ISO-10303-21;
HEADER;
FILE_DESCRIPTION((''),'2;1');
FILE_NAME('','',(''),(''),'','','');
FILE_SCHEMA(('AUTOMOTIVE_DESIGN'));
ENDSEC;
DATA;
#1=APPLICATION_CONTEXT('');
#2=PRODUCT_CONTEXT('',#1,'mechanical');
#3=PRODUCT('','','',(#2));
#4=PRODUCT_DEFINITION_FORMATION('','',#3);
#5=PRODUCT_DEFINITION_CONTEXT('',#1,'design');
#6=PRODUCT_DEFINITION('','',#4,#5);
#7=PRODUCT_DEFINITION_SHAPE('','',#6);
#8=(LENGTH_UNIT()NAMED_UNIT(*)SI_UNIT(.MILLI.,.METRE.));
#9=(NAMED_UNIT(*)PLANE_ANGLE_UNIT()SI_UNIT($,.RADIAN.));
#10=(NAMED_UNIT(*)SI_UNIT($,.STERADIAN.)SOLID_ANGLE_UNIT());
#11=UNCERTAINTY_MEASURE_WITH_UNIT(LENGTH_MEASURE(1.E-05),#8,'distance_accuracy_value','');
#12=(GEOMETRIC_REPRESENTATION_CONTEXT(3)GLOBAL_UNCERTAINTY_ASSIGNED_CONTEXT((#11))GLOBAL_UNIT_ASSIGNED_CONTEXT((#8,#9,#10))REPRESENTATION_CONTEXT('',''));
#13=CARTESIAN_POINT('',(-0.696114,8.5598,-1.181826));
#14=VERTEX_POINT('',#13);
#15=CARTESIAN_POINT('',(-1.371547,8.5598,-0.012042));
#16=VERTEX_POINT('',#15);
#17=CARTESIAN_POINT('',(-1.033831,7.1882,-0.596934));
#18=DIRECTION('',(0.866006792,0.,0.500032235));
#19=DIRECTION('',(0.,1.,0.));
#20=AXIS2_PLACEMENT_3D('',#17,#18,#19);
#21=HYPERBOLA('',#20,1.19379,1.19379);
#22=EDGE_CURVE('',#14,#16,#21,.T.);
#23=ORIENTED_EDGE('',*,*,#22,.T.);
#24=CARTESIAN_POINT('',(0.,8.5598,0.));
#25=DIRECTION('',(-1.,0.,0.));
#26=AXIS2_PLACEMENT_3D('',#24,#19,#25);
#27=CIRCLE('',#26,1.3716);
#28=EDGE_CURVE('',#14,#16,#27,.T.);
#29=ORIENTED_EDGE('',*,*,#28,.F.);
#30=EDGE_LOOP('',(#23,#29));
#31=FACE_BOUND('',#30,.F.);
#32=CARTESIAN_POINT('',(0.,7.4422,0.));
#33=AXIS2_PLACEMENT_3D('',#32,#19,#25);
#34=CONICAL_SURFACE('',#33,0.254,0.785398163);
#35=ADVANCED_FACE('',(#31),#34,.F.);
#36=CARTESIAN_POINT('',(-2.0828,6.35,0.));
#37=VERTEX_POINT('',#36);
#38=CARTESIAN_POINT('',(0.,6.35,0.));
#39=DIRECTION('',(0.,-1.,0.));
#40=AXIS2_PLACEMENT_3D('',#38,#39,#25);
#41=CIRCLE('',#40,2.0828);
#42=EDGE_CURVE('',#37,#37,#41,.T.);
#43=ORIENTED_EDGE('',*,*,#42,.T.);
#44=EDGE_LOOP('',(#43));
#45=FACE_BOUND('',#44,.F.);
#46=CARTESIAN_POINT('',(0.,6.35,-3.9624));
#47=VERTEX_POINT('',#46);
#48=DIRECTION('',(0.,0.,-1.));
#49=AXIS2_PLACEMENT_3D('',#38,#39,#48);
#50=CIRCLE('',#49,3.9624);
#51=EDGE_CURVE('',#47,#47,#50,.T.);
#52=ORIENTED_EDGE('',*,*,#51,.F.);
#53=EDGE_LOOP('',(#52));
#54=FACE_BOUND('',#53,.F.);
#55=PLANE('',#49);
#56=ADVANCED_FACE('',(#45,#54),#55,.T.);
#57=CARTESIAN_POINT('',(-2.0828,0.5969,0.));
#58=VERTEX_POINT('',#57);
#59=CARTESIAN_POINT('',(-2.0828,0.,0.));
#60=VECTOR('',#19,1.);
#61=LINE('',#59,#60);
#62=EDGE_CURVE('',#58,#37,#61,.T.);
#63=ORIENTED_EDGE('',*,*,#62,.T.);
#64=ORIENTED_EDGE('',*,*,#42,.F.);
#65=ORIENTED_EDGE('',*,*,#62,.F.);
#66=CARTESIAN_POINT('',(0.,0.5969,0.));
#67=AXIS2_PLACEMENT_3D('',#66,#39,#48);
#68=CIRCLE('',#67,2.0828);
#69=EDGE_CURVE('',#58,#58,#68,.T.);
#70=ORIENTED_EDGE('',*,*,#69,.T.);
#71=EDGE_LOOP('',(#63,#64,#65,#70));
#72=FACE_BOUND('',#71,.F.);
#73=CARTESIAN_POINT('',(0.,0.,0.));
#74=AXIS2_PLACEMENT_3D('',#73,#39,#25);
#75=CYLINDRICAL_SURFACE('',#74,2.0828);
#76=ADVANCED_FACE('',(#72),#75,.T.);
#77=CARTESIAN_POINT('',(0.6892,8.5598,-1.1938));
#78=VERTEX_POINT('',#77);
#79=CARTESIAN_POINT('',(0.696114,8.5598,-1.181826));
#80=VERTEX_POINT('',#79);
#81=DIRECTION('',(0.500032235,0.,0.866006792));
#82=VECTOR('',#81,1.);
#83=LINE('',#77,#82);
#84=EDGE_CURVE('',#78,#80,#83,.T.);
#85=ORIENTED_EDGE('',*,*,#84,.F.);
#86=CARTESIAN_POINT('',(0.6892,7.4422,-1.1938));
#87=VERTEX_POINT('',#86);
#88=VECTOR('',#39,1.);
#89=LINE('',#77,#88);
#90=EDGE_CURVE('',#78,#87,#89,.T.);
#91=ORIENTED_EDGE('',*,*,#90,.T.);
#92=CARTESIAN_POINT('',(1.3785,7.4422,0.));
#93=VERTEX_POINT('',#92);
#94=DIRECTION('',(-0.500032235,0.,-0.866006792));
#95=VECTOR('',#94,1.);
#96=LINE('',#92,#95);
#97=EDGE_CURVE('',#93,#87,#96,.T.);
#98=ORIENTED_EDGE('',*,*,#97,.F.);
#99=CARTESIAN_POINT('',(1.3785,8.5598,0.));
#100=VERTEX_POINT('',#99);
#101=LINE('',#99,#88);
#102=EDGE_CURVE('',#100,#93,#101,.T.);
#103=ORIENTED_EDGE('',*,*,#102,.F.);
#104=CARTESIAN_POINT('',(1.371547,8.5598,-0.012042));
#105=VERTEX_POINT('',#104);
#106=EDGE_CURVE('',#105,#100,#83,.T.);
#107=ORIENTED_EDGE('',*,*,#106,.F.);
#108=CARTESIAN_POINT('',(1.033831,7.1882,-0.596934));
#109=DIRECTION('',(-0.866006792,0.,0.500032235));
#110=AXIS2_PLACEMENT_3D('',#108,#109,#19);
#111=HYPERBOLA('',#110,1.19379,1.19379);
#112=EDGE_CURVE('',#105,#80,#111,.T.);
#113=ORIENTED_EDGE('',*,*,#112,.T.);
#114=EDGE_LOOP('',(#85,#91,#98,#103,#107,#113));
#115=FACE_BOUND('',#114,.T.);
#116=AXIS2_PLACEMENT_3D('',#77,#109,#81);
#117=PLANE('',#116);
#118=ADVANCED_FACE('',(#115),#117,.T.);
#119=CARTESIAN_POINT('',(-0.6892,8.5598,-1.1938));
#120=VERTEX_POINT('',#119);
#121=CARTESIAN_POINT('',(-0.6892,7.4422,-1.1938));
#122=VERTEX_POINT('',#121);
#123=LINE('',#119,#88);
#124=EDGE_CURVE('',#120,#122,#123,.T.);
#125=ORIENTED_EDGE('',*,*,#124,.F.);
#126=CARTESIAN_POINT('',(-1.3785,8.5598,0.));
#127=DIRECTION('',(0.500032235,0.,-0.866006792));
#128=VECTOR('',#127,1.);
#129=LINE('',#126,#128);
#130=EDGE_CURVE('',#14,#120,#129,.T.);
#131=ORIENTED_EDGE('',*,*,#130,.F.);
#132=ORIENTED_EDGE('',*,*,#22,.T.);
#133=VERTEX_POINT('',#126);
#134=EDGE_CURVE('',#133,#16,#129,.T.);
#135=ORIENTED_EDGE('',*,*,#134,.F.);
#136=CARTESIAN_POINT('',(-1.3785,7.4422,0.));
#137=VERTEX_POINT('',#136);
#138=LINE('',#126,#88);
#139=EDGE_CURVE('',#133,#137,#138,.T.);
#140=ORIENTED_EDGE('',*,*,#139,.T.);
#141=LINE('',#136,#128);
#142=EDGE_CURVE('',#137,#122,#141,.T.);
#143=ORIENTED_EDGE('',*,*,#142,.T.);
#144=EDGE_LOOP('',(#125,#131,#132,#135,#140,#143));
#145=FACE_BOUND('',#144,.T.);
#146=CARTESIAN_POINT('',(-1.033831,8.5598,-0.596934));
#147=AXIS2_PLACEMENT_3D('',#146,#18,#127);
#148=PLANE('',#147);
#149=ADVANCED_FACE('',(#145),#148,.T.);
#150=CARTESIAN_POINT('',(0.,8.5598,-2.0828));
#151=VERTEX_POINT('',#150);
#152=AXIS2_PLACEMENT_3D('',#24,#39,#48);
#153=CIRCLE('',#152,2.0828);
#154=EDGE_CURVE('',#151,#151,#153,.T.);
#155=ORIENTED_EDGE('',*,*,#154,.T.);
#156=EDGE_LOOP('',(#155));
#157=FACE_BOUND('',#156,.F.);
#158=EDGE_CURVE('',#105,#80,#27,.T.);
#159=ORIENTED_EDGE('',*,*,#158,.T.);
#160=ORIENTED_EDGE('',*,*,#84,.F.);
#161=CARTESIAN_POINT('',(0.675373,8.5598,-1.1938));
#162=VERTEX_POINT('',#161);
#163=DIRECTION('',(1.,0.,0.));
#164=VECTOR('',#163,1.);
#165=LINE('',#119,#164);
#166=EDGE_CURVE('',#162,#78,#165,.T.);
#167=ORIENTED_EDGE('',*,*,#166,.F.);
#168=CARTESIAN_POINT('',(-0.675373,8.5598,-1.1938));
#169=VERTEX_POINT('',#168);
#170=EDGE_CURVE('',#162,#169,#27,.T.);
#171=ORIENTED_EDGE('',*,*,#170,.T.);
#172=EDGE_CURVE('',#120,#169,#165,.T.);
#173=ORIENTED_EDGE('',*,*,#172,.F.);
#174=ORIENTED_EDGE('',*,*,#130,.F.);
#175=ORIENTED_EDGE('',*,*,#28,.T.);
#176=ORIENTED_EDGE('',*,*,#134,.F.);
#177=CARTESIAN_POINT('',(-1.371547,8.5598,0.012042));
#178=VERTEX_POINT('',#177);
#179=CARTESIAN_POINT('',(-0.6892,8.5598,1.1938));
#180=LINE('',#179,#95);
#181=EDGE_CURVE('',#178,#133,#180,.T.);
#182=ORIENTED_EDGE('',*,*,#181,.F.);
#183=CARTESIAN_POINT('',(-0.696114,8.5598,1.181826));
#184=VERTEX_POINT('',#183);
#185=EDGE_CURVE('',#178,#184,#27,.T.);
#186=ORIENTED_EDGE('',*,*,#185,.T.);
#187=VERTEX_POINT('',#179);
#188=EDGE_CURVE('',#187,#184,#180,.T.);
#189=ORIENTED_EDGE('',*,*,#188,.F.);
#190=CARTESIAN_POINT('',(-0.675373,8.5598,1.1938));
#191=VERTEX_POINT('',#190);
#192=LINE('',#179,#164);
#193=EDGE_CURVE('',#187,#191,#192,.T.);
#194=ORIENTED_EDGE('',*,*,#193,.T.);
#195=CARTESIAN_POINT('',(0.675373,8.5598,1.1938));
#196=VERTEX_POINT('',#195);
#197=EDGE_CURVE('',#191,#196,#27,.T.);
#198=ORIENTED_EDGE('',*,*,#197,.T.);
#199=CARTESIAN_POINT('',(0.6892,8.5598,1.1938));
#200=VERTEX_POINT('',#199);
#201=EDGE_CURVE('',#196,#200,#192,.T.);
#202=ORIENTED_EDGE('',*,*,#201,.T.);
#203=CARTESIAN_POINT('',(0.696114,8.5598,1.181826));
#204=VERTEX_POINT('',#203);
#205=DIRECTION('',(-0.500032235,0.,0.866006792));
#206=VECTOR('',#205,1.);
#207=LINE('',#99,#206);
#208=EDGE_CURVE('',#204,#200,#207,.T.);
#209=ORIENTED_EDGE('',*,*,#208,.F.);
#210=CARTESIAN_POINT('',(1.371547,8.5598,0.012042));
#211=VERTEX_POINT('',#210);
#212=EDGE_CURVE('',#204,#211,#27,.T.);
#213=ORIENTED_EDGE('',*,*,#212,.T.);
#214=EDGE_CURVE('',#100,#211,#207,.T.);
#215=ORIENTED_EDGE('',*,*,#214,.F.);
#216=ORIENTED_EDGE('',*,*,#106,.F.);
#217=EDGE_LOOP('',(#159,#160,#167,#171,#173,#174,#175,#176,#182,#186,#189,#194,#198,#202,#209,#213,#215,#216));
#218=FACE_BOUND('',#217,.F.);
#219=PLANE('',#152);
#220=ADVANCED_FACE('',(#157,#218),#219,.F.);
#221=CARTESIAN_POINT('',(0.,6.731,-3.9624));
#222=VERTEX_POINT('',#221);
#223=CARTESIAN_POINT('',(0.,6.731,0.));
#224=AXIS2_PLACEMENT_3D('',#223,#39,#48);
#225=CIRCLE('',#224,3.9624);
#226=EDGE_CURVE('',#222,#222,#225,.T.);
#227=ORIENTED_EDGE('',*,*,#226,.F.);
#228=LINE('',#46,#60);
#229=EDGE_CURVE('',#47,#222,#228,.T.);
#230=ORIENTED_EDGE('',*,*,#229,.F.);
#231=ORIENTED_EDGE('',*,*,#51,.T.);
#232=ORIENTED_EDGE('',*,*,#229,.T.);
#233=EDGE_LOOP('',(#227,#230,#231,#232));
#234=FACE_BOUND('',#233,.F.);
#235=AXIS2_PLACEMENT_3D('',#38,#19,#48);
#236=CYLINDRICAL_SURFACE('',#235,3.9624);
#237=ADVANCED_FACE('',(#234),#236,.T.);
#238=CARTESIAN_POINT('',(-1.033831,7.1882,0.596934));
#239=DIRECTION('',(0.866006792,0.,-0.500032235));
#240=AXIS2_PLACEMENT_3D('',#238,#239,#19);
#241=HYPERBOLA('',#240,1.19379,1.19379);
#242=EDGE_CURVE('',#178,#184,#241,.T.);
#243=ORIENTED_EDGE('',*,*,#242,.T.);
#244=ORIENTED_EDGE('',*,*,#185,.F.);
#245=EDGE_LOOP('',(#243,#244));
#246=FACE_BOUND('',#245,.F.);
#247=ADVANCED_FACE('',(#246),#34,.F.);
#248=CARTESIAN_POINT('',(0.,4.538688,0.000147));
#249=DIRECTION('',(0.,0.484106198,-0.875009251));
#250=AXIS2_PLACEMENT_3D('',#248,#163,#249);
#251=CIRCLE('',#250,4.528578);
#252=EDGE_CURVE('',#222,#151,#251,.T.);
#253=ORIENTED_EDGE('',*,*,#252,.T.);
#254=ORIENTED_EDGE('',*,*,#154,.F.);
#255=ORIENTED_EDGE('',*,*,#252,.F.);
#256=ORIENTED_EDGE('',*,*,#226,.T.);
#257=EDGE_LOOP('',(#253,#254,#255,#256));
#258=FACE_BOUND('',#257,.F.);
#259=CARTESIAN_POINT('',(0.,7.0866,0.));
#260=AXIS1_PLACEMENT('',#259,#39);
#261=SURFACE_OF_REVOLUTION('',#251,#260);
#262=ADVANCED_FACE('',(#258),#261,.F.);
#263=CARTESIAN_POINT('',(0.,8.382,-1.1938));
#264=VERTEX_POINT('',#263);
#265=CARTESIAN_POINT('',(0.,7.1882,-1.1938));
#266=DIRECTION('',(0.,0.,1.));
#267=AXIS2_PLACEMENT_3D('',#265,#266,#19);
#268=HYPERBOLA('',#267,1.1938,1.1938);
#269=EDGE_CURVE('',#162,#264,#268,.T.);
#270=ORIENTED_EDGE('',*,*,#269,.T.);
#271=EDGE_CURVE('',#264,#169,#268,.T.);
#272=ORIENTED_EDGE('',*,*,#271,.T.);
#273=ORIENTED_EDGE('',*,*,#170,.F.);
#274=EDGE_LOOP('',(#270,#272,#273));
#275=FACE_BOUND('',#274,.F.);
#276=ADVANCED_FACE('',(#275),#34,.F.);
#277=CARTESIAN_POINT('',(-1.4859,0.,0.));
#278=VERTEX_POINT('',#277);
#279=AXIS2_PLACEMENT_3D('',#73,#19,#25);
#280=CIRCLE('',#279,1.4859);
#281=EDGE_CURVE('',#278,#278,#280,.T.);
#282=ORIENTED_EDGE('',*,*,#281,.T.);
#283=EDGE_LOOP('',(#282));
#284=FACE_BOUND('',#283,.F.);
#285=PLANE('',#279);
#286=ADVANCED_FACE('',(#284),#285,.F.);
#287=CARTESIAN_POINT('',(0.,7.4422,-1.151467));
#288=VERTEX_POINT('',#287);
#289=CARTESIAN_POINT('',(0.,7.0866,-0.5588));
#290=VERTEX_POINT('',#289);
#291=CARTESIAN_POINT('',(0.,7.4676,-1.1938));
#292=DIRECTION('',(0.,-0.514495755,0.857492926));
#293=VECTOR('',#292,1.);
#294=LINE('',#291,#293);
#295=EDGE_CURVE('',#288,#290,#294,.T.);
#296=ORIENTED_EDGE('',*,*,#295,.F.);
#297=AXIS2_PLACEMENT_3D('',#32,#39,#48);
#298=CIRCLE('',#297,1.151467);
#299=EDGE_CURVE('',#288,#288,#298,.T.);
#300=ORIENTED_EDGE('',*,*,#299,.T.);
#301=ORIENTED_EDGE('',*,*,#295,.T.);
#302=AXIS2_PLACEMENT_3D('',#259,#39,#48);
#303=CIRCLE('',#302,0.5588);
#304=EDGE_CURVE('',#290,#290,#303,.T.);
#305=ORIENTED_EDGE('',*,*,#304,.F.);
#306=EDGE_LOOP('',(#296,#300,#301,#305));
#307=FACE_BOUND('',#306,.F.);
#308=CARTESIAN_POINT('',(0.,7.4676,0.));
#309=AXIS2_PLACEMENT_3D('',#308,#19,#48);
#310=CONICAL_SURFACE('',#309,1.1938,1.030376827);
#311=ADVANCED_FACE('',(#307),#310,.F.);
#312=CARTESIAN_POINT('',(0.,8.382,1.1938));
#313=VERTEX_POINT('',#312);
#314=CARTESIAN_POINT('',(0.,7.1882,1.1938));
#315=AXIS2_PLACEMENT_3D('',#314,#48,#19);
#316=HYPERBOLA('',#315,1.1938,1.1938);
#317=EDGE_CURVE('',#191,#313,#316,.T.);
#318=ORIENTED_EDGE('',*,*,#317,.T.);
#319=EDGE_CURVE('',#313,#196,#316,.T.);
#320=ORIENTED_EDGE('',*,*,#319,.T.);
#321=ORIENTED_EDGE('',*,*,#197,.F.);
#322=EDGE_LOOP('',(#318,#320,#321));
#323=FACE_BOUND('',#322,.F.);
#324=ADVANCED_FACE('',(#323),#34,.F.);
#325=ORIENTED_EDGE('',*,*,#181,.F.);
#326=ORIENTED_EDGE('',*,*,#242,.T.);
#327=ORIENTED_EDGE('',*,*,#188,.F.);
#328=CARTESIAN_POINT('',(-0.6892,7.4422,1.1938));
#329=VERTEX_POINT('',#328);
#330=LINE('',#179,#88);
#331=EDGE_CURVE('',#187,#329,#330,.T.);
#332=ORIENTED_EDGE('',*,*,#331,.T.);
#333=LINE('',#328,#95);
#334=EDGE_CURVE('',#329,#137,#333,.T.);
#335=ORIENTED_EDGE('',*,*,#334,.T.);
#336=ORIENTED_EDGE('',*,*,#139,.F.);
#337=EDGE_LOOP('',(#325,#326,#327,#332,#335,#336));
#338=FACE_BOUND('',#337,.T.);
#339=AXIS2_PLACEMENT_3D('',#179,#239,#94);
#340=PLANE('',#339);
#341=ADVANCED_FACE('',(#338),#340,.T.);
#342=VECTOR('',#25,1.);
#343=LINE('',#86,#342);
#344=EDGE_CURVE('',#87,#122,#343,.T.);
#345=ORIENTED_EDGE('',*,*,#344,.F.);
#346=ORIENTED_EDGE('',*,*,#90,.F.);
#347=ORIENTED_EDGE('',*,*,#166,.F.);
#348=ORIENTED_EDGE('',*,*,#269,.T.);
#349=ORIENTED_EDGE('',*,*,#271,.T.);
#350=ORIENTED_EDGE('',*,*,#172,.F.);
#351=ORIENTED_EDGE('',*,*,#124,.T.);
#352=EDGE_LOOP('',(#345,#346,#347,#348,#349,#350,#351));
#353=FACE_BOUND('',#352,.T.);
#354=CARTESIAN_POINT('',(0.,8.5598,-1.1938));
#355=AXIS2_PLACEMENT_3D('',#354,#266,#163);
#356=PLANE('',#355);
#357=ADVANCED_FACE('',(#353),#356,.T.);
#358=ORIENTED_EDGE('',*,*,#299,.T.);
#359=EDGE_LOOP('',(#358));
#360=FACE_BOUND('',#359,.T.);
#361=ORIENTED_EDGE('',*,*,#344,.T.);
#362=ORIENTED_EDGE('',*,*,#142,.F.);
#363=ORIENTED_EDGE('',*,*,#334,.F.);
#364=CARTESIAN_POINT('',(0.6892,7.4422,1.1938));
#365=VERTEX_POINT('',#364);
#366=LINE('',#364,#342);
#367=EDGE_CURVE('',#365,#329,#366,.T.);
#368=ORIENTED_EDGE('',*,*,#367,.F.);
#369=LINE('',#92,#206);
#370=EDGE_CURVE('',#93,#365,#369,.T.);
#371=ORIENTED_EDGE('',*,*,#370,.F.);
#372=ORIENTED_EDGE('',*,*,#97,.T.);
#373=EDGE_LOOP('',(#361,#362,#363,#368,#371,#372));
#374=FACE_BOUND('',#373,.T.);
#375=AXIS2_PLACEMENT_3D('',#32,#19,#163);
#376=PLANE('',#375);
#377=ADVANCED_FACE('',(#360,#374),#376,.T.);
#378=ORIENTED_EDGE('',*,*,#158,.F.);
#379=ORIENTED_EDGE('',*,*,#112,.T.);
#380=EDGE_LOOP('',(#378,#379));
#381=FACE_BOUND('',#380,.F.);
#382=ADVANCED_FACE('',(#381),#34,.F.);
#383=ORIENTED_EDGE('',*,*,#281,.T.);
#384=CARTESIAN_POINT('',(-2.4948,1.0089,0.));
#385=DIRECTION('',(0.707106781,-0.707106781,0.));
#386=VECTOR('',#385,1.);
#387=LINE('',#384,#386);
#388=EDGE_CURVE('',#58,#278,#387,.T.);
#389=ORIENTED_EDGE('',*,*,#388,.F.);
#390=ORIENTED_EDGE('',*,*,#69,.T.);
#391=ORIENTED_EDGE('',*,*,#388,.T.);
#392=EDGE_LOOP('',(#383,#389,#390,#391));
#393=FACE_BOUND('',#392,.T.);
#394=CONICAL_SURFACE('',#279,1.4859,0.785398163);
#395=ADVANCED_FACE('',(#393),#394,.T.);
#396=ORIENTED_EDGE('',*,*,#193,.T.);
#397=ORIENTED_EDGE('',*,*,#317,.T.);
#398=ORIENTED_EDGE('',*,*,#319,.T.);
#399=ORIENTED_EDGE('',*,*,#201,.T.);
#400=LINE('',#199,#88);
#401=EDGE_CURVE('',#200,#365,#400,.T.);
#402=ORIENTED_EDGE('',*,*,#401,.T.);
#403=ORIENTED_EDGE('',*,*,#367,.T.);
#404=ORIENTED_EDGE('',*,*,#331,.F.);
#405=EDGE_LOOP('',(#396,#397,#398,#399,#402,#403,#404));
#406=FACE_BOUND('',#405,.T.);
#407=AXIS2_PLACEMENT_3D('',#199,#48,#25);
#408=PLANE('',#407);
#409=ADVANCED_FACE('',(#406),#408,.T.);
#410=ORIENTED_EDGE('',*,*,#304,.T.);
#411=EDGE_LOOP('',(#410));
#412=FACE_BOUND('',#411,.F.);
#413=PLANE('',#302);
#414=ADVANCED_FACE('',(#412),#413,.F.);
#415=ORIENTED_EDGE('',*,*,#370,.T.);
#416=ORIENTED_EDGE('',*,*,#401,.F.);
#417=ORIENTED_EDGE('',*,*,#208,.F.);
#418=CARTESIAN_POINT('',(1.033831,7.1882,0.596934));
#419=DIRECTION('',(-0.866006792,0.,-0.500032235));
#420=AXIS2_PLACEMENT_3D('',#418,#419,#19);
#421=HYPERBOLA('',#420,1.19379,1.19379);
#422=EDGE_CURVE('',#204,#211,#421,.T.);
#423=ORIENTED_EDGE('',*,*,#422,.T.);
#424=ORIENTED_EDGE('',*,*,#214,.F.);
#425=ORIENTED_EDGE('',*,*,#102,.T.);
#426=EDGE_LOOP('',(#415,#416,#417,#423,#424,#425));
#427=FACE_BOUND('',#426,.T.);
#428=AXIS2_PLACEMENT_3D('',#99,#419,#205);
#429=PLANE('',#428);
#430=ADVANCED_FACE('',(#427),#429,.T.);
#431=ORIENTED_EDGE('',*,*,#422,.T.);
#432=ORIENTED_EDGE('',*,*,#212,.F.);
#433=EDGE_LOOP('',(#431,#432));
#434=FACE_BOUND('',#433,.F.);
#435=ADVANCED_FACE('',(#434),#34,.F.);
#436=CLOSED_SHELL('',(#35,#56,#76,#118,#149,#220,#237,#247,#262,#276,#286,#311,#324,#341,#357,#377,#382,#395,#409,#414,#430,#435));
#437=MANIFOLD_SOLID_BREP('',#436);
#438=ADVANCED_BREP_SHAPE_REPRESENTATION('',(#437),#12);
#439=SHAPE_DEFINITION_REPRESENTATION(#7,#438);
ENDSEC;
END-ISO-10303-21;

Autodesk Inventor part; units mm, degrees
ref_plane "YZ Plane" through (0, 0, 0) normal (1, 0, 0) x (0, 1, 0)
ref_plane "XZ Plane" through (0, 0, 0) normal (0, 1, 0) x (-1, 0, 0)
ref_plane "XY Plane" through (0, 0, 0) normal (0, 0, 1) x (1, 0, 0)
sketch "Sketch1" plane through (0, 0, 0) normal (0, 1, 0) x (-1, 0, 0)
  circle A0 centre (0, 0) radius 2.0828
  dimension "d4" = 4.1656
extrude "Body" add sketch "Sketch1" along normal blind 6.35
sketch "Sketch2" plane through (0, 0, 0) normal (1, 0, 0) x (0, 1, 0)
  line L0 (6.35, -2.0828) -> (6.35, 2.0828) projected
  line L1 (6.35, 0) -> (6.35, -3.9624)
  line L2 (6.35, -3.9624) -> (6.731, -3.9624)
  arc A0 (6.731, -3.9624) -> (8.5598, -2.0828) centre (4.5388, 0) ccw
  line L3 (8.5598, -2.0828) -> (8.5598, -1.1938)
  line L4 (8.5598, -1.1938) -> (7.4676, -1.1938)
  line L5 (7.4676, -1.1938) -> (7.0866, -0.5588)
  line L6 (7.0866, -0.5588) -> (7.0866, 0)
  line L7 (7.0866, 0) -> (6.35, 0)
  point P0 (0, 0)
  dimension "d5" = 3.9624
  dimension "d6" = 0.381
  dimension "d13" = 0.7366
  dimension "d14" = 2.0828
  dimension "d15" = 2.2098
  dimension "d16" = 0
  dimension "d17" = 1.1938
  dimension "d18" = 0.5588
  dimension "d19" = 0.381
revolve "Head" add sketch "Sketch2" angle 360 about axis through (0, 7.0866, 0) along (0, -1, 0)
sketch "Sketch3" plane through (0, 8.5598, 0) normal (0, 1, 0) x (1, 0, 0)
  line L0 (0.6892, 1.1938) -> (1.3785, 0)
  line L1 (1.3785, 0) -> (0.6892, -1.1938)
  line L2 (0.6892, -1.1938) -> (-0.6892, -1.1938)
  line L3 (-0.6892, -1.1938) -> (-1.3785, 0)
  line L4 (-1.3785, 0) -> (-0.6892, 1.1938)
  line L5 (-0.6892, 1.1938) -> (0.6892, 1.1938)
  circle A0 centre (0, 0) radius 1.1938 projected
  point P0 (0, 0)
  point P1 (0, 0)
extrude "Hex" cut sketch "Sketch3" against normal blind 1.1176
sketch "Sketch4" plane through (0, 0, 0) normal (0, 0, 1) x (1, 0, 0)
  line L0 (-0.6892, 7.4422) -> (0.6892, 7.4422) projected
  line L1 (-0.6892, 8.5598) -> (0.6892, 8.5598) projected
  line L2 (-0.254, 7.4422) -> (-1.3716, 8.5598)
  line L3 (-1.3785, 8.5598) -> (-1.3785, 7.4422) projected
  line L4 (-1.3785, 8.5598) -> (-0.254, 8.5598)
  line L5 (-0.254, 8.5598) -> (-0.254, 7.4422)
  line L6 (0, -4.252) -> (0, 25.5118) projected
  point P0 (0, 0)
  point P1 (0, 8.5598)
  point P2 (-0.254, 8.5598)
  dimension "d28" = 45
  dimension "d29" = 1.3716
revolve "Head Chamfer" cut sketch "Sketch4" angle 360 about axis through (0, -10, 0) along (0, 1, 0) contours L2 L4 L1 L5
sketch "Sketch5" plane through (0, 0, 0) normal (1, 0, 0) x (0, 1, 0)
  line L0 (0, -2.0828) -> (6.35, -2.0828) projected
  line L1 (6.35, 3.9624) -> (6.35, -3.9624) projected
  line L2 (6.35, -2.0828) -> (6.35, 2.0828) projected
  line L3 (0.0745, -2.0828) -> (-0.2261, -2.6035)
  line L4 (-0.2261, -2.6035) -> (-0.3253, -2.6035)
  line L5 (-0.3253, -2.6035) -> (-0.626, -2.0828)
  line L6 (0.0686, -2.6035) -> (-0.7252, -2.6035) construction
  line L7 (-0.626, -2.0828) -> (0.0745, -2.0828)
  line L8 (0, -2.0828) -> (6.35, -2.0828) projected
  point P0 (0, 0)
  dimension "d31" = 30
  dimension "d32" = 60
  dimension "a" = 0.0992
  dimension "d46" = 0.7937
  dimension "d54" = 0.0686
  dimension "d55" = 0.5207
  dimension "d56" = 0.0992
feature "Thread" [suppressed]
sketch "Sketch6" plane through (0, 0, 0) normal (0, 0, 1) x (1, 0, 0)
  line L0 (0, 0) -> (-1.4859, 0)
  line L1 (2.0828, 0) -> (-2.0828, 0) projected
  line L2 (-1.4859, 0) -> (-2.4948, 1.0089)
  line L3 (-2.4948, 1.0089) -> (-2.9651, -1.2188)
  line L4 (-2.9651, -1.2188) -> (-1.4859, -1.2188)
  line L5 (-2.0828, 0) -> (-2.0828, 6.35) projected
  line L6 (-1.4859, -1.2188) -> (-1.4859, 0)
  line L7 (0, -5.1871) -> (0, 22.5907) projected
  point P0 (-2.0828, 0.5969)
  dimension "d49" = 1.4859
  dimension "d50" = 135
revolve "Tapered End" cut sketch "Sketch6" angle 360 about axis through (0, -10, 0) along (0, 1, 0)
equation "\"d56\" = a"
properties part number "Screw 8-32 Steel 2.500" material "VEX Steel"
